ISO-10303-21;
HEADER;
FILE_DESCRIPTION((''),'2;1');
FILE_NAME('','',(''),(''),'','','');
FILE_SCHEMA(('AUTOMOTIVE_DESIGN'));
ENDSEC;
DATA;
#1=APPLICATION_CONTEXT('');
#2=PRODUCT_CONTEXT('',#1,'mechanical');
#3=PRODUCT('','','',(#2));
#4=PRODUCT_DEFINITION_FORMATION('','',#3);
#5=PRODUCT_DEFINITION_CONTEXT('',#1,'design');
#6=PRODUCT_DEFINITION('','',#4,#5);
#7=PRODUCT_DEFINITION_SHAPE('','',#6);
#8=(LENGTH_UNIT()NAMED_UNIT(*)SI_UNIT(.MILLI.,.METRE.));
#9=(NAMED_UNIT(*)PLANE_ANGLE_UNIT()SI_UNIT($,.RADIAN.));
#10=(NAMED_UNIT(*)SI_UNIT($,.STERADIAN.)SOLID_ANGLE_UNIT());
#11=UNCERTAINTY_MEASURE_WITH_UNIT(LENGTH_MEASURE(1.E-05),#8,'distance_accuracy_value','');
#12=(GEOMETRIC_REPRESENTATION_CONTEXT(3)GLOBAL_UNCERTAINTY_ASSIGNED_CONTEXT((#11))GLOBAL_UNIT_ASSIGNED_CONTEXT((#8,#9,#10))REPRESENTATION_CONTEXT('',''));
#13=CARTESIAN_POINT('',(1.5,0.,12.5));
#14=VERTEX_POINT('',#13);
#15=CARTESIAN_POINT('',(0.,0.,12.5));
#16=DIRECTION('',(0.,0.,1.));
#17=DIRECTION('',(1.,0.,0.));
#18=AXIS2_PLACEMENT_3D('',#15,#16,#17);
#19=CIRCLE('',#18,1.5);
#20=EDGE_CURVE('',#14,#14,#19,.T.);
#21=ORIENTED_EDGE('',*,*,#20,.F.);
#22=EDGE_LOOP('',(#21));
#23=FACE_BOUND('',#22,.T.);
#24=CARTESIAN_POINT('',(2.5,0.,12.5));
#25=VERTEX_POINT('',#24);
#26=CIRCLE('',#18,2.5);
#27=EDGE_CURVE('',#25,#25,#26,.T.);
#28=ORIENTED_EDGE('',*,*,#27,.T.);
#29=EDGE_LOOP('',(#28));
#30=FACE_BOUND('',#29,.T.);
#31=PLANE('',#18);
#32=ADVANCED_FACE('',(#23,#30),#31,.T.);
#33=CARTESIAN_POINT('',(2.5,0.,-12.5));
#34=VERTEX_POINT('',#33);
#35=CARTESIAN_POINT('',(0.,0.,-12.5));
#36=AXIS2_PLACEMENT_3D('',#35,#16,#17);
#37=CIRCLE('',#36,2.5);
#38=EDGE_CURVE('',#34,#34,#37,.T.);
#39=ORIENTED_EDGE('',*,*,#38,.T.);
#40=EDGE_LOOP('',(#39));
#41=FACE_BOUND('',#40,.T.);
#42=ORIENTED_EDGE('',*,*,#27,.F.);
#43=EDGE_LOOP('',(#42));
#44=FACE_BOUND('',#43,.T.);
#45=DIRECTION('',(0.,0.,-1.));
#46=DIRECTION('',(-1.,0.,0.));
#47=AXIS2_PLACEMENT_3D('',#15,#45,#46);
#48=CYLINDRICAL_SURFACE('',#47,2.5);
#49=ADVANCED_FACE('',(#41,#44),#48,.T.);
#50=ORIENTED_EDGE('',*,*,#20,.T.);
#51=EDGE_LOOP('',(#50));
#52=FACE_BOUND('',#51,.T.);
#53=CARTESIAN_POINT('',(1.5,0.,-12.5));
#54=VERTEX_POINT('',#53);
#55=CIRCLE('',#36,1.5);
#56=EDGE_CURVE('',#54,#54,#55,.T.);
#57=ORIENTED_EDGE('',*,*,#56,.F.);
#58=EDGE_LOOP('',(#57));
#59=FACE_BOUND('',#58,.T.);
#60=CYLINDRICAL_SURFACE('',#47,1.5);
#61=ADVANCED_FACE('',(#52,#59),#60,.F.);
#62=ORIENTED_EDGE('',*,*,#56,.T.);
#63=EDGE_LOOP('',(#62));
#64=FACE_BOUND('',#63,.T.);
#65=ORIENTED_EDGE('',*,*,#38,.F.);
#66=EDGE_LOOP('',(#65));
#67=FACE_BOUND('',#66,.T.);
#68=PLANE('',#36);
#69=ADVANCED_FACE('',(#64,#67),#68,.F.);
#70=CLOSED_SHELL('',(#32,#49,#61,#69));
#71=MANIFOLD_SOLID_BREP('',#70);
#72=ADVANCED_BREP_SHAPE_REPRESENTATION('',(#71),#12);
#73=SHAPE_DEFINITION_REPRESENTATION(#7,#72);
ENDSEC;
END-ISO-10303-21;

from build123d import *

# Parameters (mm, degrees)
SKETCH_1_R      = 2.5
SKETCH_1_R_2    = 1.5
EXTRUDE_1_DEPTH = 12.5


with BuildPart() as part:
    # 草图1 → 凸台-拉伸1 (new body, symmetric)
    with BuildSketch(Plane.XY):
        Circle(SKETCH_1_R)
        Circle(SKETCH_1_R_2, mode=Mode.SUBTRACT)
    extrude(amount=EXTRUDE_1_DEPTH, both=True)


solid = part.part
